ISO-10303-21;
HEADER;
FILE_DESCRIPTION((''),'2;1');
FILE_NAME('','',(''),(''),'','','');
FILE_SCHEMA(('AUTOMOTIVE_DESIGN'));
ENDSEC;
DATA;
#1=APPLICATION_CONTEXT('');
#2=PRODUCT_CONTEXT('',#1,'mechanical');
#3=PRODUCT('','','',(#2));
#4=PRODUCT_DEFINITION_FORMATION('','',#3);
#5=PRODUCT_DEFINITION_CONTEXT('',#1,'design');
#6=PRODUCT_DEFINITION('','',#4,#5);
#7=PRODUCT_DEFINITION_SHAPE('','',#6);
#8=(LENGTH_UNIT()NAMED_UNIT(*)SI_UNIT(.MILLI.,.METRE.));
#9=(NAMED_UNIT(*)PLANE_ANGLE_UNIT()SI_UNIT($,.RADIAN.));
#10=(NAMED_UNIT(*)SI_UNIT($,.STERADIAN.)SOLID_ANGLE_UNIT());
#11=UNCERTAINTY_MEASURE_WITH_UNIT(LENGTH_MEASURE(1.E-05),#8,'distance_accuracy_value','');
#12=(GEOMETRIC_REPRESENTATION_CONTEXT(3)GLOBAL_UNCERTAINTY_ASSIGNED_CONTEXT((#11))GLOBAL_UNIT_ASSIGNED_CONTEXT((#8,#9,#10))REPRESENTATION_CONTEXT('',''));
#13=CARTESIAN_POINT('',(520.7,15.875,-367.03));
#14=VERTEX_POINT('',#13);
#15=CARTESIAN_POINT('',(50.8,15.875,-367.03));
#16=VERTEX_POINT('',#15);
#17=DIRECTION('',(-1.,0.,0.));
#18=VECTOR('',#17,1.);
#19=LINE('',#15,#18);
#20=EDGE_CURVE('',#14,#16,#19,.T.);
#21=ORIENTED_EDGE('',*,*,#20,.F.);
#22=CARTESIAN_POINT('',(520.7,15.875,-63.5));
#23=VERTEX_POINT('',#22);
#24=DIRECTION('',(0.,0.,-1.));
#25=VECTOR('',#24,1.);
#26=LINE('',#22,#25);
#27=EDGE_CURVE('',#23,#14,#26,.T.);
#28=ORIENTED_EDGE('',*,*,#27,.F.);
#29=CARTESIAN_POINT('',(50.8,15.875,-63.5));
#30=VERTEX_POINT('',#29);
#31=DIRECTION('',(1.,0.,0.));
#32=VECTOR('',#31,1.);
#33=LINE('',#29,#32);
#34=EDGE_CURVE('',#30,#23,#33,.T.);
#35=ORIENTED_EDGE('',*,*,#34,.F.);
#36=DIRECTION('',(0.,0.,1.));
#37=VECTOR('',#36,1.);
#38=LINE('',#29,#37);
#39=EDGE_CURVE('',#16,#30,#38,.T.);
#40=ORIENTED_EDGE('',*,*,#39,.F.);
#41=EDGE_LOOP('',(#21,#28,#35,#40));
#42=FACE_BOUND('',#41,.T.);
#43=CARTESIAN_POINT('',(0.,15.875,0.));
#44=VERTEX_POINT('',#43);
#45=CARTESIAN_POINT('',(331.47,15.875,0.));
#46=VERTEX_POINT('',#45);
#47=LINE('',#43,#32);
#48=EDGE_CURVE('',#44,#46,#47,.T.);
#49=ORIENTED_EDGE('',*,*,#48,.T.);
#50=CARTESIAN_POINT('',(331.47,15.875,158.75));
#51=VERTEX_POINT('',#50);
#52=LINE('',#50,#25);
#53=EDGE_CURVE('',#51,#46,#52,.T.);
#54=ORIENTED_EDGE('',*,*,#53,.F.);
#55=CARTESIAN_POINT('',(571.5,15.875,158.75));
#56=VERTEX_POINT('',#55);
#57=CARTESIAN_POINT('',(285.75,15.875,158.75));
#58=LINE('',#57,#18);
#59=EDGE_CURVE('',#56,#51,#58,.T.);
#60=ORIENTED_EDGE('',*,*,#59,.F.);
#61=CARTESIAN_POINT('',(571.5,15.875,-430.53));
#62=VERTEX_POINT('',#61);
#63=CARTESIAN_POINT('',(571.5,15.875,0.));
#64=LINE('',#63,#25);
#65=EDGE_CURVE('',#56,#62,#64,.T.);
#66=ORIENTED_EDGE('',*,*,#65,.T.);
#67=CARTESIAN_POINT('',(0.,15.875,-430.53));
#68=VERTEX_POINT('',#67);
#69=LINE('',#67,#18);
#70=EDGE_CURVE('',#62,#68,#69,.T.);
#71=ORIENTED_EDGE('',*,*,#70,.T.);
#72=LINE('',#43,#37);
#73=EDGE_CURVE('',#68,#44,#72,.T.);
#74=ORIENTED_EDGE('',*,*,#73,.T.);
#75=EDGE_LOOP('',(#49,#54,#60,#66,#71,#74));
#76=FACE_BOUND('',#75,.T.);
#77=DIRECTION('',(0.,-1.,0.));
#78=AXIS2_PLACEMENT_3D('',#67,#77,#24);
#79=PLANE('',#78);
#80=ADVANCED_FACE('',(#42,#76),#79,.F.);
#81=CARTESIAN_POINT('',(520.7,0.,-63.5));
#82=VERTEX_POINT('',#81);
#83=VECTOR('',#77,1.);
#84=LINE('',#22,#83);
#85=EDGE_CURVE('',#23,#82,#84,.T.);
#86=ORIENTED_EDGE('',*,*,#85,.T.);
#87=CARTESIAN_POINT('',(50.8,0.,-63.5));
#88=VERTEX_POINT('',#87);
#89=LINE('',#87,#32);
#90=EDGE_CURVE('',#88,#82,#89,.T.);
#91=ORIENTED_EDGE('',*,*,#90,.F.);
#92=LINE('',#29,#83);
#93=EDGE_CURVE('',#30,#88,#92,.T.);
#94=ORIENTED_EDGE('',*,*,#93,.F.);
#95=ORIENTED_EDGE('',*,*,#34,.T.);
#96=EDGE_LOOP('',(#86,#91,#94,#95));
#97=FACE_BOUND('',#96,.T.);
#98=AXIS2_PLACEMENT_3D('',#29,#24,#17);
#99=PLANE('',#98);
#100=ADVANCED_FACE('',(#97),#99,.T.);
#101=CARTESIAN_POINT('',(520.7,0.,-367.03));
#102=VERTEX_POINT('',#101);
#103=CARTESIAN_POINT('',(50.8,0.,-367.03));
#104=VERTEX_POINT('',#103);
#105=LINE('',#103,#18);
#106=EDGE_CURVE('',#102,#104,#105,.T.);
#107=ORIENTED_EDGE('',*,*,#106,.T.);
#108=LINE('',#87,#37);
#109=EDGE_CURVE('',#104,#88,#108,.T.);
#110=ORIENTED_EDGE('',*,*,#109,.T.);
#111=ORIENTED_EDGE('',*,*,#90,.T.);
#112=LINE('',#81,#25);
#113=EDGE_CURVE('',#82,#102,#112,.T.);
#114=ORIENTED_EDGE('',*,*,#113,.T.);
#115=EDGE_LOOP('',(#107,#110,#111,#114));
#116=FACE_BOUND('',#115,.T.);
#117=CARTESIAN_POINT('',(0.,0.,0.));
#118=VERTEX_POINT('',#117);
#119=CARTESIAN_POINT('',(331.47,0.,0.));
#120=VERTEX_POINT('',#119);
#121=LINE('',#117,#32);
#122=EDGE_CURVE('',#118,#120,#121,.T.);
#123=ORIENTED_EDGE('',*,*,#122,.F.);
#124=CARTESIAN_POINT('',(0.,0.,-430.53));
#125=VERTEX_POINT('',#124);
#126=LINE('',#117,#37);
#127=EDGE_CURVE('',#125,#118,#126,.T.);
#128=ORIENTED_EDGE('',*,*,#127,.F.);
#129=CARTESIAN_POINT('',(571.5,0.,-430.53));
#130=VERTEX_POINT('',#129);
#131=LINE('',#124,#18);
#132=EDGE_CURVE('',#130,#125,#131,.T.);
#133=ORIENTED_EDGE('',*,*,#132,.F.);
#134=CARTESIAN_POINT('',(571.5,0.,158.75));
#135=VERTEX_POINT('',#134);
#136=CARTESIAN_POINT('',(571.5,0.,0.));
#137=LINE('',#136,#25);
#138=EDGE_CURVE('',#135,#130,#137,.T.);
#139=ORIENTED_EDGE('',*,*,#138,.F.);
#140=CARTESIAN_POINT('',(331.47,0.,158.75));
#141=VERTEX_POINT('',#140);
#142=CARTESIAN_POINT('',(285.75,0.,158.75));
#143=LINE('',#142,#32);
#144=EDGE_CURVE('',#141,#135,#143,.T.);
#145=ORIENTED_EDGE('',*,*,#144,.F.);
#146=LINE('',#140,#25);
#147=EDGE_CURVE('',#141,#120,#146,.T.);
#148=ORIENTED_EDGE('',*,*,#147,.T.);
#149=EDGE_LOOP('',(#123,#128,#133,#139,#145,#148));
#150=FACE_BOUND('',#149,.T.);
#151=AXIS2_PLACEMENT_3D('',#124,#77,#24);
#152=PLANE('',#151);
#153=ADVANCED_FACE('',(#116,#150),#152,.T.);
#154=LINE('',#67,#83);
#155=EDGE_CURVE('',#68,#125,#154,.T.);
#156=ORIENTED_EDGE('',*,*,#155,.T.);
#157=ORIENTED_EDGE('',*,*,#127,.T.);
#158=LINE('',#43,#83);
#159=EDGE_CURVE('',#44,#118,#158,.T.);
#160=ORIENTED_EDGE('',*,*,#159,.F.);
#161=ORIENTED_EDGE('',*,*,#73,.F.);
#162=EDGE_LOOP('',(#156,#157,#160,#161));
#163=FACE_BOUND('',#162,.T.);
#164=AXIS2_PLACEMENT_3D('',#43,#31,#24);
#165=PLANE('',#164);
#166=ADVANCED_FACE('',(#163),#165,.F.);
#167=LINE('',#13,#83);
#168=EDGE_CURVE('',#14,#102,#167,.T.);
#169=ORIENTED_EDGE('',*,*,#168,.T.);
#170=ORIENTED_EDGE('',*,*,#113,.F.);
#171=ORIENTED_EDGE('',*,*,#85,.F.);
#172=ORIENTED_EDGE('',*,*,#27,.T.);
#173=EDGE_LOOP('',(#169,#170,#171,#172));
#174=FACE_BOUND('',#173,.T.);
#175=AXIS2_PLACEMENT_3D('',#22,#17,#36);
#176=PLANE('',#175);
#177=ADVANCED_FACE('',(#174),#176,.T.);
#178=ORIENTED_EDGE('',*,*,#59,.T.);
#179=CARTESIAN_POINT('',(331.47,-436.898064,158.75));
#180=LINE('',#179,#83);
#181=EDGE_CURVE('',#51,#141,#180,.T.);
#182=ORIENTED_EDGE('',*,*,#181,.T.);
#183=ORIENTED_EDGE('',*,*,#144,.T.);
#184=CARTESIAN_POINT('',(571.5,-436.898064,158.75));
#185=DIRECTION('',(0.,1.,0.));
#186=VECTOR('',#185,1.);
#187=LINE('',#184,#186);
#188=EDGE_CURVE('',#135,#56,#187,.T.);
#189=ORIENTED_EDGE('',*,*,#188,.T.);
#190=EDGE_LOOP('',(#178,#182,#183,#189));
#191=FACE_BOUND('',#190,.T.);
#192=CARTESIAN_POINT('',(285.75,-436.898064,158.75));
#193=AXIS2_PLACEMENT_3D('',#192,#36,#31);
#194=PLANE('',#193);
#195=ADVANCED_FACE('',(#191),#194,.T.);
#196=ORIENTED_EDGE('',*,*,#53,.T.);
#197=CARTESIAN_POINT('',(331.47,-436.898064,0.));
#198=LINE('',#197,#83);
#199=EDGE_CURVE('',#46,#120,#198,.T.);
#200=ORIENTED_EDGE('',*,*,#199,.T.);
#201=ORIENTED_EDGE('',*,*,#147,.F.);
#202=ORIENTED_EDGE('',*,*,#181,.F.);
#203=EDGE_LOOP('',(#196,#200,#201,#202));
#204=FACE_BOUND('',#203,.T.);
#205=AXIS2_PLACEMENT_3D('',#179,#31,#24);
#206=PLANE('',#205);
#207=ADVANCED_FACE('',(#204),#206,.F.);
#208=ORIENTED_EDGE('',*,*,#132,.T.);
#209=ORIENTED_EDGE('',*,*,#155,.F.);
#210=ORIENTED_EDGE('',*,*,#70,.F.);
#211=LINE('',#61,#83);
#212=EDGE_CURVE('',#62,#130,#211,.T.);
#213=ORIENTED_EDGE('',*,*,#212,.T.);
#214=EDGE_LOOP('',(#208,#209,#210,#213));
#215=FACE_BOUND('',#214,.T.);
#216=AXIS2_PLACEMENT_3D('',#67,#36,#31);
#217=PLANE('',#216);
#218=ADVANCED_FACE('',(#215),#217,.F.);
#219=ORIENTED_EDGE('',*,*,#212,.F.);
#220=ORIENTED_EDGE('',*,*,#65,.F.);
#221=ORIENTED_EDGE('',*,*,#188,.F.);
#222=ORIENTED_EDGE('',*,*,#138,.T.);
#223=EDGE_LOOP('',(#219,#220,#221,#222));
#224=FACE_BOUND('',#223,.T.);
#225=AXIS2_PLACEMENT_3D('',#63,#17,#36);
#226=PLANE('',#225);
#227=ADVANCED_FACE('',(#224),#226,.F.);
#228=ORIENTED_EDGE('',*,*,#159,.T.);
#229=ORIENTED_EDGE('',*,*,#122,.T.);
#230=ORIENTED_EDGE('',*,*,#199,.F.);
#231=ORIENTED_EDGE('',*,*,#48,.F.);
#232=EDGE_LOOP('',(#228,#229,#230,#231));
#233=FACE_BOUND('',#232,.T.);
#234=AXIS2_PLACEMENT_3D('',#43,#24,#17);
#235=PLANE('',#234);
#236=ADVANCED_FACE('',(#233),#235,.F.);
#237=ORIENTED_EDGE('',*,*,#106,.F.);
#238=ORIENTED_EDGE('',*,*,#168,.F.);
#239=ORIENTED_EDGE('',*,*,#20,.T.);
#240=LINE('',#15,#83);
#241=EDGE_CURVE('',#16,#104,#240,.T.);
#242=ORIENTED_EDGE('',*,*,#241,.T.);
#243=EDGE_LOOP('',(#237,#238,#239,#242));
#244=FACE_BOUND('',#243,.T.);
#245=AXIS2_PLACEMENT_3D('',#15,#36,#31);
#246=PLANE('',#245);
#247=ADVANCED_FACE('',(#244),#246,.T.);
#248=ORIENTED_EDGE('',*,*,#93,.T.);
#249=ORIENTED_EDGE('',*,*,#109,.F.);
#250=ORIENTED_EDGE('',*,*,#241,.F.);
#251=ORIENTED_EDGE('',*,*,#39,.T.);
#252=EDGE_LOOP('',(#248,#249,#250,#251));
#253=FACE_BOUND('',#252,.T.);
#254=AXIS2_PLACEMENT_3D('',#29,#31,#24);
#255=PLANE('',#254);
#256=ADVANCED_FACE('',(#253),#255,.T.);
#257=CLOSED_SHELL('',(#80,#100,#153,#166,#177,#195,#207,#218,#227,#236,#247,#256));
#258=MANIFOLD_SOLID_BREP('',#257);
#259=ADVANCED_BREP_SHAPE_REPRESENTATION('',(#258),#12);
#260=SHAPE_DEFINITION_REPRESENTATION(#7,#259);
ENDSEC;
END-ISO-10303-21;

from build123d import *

# Parameters (mm, degrees)
SKETCH1_W           = 571.5
SKETCH1_H           = 430.53
SKETCH1_W_2         = 469.9
SKETCH1_H_2         = 303.53
BOSS_EXTRUDE1_DEPTH = 15.875
SKETCH2_W           = 240.03
SKETCH2_H           = 15.875
BOSS_EXTRUDE2_DEPTH = 158.75


with BuildPart() as part:
    # Sketch1 → Boss-Extrude1 (new body)
    with BuildSketch(Plane(origin=(0, 0, 0), x_dir=(1, 0, 0), z_dir=(0, 1, 0))):
        with Locations((285.75, 215.265)):
            Rectangle(SKETCH1_W, SKETCH1_H)
        with Locations((285.75, 215.265)):
            Rectangle(SKETCH1_W_2, SKETCH1_H_2, mode=Mode.SUBTRACT)
    extrude(amount=BOSS_EXTRUDE1_DEPTH)

    # Sketch2 → Boss-Extrude2 (add)
    with BuildSketch(Plane.XY):
        with Locations((451.485, 7.9375)):
            Rectangle(SKETCH2_W, SKETCH2_H)
    extrude(amount=BOSS_EXTRUDE2_DEPTH)


solid = part.part
